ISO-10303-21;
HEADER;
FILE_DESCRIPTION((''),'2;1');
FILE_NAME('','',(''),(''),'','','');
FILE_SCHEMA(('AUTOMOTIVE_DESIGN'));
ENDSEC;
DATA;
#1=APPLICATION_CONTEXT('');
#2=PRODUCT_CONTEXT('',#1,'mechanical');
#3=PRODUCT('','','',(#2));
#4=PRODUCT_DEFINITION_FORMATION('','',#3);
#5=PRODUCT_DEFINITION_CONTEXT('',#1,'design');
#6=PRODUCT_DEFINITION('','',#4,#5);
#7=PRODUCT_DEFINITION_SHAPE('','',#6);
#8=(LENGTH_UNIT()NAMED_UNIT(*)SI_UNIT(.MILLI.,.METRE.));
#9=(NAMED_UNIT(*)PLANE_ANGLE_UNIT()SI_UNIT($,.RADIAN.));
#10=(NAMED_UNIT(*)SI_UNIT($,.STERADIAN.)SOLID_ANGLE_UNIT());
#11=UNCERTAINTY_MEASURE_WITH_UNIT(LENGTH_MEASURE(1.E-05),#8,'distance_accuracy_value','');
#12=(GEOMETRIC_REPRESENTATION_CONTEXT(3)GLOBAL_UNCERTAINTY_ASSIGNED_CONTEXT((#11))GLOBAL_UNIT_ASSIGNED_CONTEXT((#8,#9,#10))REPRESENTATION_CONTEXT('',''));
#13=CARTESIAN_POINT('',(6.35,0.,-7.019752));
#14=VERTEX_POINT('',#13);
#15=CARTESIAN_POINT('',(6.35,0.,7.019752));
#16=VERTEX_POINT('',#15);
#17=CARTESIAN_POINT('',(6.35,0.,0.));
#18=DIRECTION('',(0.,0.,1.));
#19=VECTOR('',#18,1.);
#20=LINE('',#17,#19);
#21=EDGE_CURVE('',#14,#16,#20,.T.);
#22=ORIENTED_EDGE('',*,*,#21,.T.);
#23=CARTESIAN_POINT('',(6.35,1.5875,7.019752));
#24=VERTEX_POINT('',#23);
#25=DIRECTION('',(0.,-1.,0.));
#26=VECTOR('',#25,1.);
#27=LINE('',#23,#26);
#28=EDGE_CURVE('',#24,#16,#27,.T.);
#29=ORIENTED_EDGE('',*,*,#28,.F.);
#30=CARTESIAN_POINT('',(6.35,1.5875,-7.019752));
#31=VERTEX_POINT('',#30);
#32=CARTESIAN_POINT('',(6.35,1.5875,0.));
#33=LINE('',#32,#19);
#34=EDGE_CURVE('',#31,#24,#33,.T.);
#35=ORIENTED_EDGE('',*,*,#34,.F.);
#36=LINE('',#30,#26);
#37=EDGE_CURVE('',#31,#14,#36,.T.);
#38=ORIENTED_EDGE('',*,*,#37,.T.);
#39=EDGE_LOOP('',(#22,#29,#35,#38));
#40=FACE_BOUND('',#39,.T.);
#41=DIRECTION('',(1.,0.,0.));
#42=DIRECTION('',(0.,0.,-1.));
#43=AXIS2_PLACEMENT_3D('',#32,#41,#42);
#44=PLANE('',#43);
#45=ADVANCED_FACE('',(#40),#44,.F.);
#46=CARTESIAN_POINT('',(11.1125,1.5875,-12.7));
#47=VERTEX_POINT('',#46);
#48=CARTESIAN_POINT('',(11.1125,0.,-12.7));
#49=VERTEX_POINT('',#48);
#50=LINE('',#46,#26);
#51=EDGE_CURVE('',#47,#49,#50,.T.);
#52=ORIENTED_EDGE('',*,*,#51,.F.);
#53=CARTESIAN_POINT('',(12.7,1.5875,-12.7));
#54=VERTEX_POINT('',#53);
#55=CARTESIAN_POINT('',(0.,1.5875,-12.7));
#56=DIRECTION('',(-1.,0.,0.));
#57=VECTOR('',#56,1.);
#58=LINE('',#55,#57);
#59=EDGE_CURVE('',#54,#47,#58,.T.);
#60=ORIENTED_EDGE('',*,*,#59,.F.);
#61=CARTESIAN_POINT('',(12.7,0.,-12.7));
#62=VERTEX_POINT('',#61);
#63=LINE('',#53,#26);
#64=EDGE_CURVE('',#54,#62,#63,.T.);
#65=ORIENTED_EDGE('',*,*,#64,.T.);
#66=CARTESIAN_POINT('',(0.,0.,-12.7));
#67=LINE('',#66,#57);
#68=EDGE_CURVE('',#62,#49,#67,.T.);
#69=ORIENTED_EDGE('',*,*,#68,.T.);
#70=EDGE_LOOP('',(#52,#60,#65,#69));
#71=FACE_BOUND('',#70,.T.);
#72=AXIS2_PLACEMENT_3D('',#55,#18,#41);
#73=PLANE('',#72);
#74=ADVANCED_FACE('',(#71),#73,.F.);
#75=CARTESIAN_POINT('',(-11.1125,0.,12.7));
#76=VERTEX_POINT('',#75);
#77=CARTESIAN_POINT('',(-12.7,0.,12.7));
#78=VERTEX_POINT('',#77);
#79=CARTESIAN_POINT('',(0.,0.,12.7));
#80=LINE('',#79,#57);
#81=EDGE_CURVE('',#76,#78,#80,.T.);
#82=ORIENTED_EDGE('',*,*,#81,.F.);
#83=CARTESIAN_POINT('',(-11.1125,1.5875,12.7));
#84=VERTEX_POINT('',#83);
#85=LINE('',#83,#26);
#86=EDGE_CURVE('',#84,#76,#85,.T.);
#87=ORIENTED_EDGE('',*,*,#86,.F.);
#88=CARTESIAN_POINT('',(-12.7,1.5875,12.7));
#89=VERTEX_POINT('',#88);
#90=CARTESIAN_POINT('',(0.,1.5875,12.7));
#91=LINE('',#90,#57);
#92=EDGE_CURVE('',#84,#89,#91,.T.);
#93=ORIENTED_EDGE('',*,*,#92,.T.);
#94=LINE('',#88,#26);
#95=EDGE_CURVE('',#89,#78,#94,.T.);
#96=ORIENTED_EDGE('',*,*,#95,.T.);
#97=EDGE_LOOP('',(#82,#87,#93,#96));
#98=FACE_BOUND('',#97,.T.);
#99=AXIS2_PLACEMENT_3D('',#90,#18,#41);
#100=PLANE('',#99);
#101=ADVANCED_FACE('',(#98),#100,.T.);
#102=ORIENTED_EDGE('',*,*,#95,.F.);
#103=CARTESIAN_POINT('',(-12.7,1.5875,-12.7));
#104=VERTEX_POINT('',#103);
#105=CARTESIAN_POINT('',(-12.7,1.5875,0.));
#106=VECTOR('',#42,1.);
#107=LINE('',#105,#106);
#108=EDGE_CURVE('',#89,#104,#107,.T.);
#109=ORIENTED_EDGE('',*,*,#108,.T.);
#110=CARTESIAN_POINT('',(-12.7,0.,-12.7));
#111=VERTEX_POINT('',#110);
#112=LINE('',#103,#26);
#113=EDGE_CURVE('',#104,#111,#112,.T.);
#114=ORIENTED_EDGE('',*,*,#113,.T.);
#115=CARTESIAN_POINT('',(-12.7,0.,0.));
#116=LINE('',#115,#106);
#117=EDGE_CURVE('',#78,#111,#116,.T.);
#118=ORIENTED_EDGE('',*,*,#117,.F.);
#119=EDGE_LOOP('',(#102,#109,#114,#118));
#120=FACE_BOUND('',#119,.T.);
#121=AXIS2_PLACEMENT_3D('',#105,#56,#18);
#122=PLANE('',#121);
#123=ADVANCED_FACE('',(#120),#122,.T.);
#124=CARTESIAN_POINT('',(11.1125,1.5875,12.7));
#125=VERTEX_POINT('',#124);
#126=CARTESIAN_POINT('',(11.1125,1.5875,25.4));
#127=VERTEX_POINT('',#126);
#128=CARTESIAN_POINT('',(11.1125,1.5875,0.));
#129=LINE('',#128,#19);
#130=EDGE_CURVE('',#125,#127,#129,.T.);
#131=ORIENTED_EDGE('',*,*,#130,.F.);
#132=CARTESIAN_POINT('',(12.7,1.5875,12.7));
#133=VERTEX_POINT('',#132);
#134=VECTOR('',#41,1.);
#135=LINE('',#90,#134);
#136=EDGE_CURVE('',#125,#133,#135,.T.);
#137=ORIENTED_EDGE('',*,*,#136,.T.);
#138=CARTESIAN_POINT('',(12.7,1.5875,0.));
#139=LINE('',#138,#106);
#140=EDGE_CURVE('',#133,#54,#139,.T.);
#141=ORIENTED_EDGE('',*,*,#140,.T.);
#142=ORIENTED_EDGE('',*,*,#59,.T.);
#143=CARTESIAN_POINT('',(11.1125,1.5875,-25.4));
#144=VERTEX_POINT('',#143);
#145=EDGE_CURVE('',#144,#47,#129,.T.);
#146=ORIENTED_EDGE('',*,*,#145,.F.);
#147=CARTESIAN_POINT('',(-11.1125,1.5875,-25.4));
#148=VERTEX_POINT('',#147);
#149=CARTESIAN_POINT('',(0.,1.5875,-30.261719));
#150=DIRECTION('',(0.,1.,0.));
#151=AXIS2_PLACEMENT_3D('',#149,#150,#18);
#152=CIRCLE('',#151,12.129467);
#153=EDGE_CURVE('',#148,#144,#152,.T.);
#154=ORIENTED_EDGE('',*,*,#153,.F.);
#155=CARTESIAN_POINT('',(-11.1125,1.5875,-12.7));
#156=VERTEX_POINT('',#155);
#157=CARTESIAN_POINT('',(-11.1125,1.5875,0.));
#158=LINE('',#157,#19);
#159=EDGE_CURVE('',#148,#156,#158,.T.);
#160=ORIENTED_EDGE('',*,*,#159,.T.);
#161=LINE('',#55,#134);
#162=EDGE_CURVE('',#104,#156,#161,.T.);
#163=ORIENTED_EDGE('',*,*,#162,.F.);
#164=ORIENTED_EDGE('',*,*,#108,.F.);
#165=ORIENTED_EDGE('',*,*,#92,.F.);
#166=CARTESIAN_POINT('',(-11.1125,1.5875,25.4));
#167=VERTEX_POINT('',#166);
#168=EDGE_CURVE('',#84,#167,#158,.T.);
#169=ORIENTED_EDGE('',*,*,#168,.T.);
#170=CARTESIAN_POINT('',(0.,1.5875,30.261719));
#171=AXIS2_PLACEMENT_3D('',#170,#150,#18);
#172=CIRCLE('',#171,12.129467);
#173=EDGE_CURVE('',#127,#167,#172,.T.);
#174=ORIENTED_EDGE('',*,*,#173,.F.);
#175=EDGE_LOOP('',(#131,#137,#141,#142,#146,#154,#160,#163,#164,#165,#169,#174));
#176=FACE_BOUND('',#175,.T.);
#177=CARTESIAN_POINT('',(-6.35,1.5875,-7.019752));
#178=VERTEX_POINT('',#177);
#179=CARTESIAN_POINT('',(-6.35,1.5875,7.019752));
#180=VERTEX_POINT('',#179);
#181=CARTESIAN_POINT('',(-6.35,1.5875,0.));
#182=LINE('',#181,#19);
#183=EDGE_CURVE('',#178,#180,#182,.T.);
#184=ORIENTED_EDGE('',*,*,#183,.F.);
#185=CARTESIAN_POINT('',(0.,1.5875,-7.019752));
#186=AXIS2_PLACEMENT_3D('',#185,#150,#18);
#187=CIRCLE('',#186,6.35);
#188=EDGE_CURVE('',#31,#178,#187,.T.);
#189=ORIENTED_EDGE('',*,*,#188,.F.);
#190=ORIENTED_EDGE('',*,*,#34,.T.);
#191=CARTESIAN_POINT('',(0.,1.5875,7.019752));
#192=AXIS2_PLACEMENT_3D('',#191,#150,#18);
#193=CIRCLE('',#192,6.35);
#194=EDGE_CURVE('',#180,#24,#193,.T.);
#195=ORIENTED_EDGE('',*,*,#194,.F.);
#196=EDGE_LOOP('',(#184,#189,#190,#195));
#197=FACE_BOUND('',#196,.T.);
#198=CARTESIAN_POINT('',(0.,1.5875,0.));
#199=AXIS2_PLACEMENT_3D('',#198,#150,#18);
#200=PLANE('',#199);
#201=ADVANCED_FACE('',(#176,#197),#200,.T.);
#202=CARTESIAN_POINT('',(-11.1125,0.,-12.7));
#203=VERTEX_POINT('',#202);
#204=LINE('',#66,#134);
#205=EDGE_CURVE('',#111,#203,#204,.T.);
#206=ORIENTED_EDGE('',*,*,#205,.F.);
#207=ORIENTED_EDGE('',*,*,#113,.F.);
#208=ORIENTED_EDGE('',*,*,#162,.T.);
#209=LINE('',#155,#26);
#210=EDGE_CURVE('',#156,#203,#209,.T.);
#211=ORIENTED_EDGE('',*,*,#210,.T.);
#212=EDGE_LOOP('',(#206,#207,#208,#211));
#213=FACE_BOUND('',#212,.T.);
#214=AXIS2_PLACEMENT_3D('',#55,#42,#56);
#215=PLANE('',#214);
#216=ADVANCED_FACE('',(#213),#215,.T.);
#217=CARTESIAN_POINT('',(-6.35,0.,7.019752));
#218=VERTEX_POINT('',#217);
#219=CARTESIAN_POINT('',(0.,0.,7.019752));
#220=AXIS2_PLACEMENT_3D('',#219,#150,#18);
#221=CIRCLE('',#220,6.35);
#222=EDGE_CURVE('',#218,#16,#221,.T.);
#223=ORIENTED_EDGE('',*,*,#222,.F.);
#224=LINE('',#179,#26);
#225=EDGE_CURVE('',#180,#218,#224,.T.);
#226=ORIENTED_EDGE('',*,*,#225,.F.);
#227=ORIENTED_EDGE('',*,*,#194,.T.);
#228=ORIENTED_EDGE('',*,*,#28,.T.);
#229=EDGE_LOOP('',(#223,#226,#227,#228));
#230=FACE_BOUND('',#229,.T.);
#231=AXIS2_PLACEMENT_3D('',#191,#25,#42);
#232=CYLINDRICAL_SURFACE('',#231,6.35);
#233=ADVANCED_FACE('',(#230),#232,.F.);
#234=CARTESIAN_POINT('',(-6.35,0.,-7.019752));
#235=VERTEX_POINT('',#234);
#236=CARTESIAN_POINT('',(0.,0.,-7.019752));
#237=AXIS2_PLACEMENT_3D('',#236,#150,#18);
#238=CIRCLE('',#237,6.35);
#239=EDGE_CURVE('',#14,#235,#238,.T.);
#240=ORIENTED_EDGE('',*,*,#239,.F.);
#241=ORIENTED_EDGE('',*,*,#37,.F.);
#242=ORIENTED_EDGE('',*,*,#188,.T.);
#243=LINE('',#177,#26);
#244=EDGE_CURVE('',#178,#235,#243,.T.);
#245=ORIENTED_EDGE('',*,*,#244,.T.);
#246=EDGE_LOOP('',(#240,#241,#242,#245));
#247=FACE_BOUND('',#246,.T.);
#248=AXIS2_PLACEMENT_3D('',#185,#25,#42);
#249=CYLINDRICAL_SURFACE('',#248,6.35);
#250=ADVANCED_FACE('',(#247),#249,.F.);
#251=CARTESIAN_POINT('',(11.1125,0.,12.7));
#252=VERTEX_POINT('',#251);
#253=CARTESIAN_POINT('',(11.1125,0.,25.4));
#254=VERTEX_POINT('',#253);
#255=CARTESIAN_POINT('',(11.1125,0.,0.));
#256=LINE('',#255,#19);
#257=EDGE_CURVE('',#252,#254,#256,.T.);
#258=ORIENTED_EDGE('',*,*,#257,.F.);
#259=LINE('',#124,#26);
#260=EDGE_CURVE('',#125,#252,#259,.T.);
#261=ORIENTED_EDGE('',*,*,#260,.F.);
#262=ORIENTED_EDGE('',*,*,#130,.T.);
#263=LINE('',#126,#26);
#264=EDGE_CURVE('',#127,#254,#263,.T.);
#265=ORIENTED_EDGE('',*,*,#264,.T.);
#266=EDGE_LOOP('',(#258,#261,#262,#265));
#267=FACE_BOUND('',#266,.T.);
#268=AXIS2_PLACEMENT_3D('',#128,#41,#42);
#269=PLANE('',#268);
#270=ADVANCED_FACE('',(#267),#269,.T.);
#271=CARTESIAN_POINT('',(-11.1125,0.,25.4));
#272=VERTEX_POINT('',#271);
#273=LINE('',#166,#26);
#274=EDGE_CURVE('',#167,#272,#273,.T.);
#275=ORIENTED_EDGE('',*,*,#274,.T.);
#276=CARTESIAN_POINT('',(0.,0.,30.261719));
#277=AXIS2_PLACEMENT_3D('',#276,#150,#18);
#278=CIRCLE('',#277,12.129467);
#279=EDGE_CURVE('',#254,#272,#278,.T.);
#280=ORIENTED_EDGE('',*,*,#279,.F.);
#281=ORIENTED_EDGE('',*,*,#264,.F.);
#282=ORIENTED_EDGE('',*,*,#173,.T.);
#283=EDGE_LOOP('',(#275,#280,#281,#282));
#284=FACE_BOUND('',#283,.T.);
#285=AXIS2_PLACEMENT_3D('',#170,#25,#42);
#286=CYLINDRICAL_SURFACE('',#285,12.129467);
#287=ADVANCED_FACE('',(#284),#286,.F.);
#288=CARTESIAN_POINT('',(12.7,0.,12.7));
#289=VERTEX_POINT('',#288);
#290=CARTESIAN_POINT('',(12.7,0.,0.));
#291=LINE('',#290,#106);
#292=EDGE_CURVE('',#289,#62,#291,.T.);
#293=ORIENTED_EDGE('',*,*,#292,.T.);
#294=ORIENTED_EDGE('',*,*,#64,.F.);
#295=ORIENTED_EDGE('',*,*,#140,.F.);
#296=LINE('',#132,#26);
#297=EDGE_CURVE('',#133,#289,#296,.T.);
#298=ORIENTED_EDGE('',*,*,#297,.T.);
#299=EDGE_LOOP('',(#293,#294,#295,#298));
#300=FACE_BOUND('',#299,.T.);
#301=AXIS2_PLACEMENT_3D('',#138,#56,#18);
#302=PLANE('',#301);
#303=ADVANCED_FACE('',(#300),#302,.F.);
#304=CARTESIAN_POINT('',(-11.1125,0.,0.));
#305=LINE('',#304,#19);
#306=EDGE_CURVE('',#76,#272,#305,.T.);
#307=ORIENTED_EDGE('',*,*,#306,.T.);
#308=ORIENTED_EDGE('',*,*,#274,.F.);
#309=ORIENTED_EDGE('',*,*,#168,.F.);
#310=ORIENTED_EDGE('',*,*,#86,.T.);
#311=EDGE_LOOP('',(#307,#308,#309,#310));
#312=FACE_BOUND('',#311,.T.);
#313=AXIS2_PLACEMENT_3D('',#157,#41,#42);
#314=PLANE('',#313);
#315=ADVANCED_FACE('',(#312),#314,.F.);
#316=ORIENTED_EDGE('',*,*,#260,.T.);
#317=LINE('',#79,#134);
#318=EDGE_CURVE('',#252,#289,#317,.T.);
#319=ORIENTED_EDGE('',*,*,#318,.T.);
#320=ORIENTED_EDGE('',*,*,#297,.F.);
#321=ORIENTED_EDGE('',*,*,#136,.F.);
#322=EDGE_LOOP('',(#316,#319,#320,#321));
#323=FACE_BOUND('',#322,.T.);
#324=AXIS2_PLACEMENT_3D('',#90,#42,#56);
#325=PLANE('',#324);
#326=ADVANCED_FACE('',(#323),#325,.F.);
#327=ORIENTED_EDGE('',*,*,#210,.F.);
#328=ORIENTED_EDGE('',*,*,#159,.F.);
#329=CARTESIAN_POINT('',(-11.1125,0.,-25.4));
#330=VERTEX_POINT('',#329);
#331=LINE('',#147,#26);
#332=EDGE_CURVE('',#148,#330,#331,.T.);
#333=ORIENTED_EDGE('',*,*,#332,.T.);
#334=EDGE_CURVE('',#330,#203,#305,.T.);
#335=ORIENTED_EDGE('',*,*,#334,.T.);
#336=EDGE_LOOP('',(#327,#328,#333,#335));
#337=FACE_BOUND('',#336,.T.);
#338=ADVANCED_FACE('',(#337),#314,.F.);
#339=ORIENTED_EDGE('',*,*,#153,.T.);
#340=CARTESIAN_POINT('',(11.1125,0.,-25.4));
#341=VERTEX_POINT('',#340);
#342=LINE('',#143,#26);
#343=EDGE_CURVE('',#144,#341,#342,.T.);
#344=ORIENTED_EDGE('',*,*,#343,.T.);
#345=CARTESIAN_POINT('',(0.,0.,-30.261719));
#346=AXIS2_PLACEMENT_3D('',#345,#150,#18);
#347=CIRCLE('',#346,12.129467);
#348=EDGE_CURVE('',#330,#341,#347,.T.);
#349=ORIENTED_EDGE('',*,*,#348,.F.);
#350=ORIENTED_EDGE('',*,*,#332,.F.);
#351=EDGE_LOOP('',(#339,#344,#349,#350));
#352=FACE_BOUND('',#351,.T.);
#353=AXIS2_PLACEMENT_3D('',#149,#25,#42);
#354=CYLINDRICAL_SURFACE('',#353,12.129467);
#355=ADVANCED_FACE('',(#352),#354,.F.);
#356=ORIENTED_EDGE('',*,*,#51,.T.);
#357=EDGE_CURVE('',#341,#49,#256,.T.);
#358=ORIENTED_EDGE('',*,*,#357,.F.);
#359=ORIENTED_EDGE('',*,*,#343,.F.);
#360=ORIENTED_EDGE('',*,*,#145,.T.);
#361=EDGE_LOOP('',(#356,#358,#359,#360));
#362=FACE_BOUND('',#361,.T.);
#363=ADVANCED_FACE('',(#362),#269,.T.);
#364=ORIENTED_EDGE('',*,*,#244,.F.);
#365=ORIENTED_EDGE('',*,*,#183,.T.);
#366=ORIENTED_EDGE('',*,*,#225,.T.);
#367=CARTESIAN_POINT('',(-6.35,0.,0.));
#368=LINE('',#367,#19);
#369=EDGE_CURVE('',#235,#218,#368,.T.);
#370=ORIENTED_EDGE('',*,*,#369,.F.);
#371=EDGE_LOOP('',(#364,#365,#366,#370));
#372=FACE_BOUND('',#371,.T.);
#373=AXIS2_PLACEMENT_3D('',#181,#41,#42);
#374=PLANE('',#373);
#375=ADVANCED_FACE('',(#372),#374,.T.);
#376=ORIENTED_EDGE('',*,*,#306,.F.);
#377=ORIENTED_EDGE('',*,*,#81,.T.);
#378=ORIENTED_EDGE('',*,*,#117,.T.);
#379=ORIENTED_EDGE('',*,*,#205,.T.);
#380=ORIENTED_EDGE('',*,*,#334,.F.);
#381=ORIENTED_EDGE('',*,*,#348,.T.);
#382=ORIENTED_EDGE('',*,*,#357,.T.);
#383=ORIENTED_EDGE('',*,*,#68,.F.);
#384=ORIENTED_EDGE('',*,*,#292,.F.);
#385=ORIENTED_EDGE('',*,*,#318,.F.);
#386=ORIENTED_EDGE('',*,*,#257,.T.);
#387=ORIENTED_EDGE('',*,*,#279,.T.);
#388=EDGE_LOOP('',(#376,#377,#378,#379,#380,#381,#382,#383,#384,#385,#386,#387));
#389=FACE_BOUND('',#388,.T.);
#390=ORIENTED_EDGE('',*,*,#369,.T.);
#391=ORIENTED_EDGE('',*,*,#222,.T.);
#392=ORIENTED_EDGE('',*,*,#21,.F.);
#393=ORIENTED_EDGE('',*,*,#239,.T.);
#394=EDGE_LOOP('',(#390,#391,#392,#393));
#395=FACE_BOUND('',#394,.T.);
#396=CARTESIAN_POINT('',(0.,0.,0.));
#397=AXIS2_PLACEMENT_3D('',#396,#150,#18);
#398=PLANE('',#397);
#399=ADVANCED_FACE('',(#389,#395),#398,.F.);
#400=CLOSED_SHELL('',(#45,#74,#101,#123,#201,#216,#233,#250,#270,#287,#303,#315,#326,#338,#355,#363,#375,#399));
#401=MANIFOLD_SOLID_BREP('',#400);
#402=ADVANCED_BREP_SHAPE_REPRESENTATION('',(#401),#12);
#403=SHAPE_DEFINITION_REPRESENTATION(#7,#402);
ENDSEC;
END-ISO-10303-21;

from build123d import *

# Parameters (mm, degrees)
SKETCH1_W           = 1.5875
SKETCH1_H           = 25.4
BOSS_EXTRUDE1_DEPTH = 1.5875


with BuildPart() as part:
    # Sketch1 → Boss-Extrude1 (new body)
    # profile 1 of 3: a face of its own
    with BuildSketch(Plane(origin=(0, 0, 0), x_dir=(1, 0, 0), z_dir=(0, 1, 0))):
        with BuildLine():
            Line((11.1125, -25.4), (11.1125, -12.7))
            Line((11.1125, -12.7), (11.1125, 12.7))
            Line((11.1125, 12.7), (11.1125, 25.4))
            ThreePointArc((11.1125, 25.4), (0, 18.132251925), (-11.1125, 25.4))
            Line((-11.1125, 25.4), (-11.1125, 12.7))
            Line((-11.1125, 12.7), (-11.1125, -12.7))
            Line((-11.1125, -12.7), (-11.1125, -25.4))
            ThreePointArc((-11.1125, -25.4), (0, -18.132251925), (11.1125, -25.4))
        make_face()
        with BuildLine():
            ThreePointArc((-6.35, 7.019751925), (0, 13.369751925), (6.35, 7.019751925))
            Line((6.35, 7.019751925), (6.35, -7.019751925))
            ThreePointArc((6.35, -7.019751925), (0, -13.369751925), (-6.35, -7.019751925))
            Line((-6.35, -7.019751925), (-6.35, 7.019751925))
        make_face(mode=Mode.SUBTRACT)
    # profile 2 of 3: a face of its own
    with BuildSketch(Plane(origin=(0, 0, 0), x_dir=(1, 0, 0), z_dir=(0, 1, 0))):
        with Locations((-11.90625, 0)):
            Rectangle(SKETCH1_W, SKETCH1_H)
    # profile 3 of 3: a face of its own
    with BuildSketch(Plane(origin=(0, 0, 0), x_dir=(1, 0, 0), z_dir=(0, 1, 0))):
        with Locations((11.90625, 0)):
            Rectangle(SKETCH1_W, SKETCH1_H)
    extrude(amount=BOSS_EXTRUDE1_DEPTH)


solid = part.part
